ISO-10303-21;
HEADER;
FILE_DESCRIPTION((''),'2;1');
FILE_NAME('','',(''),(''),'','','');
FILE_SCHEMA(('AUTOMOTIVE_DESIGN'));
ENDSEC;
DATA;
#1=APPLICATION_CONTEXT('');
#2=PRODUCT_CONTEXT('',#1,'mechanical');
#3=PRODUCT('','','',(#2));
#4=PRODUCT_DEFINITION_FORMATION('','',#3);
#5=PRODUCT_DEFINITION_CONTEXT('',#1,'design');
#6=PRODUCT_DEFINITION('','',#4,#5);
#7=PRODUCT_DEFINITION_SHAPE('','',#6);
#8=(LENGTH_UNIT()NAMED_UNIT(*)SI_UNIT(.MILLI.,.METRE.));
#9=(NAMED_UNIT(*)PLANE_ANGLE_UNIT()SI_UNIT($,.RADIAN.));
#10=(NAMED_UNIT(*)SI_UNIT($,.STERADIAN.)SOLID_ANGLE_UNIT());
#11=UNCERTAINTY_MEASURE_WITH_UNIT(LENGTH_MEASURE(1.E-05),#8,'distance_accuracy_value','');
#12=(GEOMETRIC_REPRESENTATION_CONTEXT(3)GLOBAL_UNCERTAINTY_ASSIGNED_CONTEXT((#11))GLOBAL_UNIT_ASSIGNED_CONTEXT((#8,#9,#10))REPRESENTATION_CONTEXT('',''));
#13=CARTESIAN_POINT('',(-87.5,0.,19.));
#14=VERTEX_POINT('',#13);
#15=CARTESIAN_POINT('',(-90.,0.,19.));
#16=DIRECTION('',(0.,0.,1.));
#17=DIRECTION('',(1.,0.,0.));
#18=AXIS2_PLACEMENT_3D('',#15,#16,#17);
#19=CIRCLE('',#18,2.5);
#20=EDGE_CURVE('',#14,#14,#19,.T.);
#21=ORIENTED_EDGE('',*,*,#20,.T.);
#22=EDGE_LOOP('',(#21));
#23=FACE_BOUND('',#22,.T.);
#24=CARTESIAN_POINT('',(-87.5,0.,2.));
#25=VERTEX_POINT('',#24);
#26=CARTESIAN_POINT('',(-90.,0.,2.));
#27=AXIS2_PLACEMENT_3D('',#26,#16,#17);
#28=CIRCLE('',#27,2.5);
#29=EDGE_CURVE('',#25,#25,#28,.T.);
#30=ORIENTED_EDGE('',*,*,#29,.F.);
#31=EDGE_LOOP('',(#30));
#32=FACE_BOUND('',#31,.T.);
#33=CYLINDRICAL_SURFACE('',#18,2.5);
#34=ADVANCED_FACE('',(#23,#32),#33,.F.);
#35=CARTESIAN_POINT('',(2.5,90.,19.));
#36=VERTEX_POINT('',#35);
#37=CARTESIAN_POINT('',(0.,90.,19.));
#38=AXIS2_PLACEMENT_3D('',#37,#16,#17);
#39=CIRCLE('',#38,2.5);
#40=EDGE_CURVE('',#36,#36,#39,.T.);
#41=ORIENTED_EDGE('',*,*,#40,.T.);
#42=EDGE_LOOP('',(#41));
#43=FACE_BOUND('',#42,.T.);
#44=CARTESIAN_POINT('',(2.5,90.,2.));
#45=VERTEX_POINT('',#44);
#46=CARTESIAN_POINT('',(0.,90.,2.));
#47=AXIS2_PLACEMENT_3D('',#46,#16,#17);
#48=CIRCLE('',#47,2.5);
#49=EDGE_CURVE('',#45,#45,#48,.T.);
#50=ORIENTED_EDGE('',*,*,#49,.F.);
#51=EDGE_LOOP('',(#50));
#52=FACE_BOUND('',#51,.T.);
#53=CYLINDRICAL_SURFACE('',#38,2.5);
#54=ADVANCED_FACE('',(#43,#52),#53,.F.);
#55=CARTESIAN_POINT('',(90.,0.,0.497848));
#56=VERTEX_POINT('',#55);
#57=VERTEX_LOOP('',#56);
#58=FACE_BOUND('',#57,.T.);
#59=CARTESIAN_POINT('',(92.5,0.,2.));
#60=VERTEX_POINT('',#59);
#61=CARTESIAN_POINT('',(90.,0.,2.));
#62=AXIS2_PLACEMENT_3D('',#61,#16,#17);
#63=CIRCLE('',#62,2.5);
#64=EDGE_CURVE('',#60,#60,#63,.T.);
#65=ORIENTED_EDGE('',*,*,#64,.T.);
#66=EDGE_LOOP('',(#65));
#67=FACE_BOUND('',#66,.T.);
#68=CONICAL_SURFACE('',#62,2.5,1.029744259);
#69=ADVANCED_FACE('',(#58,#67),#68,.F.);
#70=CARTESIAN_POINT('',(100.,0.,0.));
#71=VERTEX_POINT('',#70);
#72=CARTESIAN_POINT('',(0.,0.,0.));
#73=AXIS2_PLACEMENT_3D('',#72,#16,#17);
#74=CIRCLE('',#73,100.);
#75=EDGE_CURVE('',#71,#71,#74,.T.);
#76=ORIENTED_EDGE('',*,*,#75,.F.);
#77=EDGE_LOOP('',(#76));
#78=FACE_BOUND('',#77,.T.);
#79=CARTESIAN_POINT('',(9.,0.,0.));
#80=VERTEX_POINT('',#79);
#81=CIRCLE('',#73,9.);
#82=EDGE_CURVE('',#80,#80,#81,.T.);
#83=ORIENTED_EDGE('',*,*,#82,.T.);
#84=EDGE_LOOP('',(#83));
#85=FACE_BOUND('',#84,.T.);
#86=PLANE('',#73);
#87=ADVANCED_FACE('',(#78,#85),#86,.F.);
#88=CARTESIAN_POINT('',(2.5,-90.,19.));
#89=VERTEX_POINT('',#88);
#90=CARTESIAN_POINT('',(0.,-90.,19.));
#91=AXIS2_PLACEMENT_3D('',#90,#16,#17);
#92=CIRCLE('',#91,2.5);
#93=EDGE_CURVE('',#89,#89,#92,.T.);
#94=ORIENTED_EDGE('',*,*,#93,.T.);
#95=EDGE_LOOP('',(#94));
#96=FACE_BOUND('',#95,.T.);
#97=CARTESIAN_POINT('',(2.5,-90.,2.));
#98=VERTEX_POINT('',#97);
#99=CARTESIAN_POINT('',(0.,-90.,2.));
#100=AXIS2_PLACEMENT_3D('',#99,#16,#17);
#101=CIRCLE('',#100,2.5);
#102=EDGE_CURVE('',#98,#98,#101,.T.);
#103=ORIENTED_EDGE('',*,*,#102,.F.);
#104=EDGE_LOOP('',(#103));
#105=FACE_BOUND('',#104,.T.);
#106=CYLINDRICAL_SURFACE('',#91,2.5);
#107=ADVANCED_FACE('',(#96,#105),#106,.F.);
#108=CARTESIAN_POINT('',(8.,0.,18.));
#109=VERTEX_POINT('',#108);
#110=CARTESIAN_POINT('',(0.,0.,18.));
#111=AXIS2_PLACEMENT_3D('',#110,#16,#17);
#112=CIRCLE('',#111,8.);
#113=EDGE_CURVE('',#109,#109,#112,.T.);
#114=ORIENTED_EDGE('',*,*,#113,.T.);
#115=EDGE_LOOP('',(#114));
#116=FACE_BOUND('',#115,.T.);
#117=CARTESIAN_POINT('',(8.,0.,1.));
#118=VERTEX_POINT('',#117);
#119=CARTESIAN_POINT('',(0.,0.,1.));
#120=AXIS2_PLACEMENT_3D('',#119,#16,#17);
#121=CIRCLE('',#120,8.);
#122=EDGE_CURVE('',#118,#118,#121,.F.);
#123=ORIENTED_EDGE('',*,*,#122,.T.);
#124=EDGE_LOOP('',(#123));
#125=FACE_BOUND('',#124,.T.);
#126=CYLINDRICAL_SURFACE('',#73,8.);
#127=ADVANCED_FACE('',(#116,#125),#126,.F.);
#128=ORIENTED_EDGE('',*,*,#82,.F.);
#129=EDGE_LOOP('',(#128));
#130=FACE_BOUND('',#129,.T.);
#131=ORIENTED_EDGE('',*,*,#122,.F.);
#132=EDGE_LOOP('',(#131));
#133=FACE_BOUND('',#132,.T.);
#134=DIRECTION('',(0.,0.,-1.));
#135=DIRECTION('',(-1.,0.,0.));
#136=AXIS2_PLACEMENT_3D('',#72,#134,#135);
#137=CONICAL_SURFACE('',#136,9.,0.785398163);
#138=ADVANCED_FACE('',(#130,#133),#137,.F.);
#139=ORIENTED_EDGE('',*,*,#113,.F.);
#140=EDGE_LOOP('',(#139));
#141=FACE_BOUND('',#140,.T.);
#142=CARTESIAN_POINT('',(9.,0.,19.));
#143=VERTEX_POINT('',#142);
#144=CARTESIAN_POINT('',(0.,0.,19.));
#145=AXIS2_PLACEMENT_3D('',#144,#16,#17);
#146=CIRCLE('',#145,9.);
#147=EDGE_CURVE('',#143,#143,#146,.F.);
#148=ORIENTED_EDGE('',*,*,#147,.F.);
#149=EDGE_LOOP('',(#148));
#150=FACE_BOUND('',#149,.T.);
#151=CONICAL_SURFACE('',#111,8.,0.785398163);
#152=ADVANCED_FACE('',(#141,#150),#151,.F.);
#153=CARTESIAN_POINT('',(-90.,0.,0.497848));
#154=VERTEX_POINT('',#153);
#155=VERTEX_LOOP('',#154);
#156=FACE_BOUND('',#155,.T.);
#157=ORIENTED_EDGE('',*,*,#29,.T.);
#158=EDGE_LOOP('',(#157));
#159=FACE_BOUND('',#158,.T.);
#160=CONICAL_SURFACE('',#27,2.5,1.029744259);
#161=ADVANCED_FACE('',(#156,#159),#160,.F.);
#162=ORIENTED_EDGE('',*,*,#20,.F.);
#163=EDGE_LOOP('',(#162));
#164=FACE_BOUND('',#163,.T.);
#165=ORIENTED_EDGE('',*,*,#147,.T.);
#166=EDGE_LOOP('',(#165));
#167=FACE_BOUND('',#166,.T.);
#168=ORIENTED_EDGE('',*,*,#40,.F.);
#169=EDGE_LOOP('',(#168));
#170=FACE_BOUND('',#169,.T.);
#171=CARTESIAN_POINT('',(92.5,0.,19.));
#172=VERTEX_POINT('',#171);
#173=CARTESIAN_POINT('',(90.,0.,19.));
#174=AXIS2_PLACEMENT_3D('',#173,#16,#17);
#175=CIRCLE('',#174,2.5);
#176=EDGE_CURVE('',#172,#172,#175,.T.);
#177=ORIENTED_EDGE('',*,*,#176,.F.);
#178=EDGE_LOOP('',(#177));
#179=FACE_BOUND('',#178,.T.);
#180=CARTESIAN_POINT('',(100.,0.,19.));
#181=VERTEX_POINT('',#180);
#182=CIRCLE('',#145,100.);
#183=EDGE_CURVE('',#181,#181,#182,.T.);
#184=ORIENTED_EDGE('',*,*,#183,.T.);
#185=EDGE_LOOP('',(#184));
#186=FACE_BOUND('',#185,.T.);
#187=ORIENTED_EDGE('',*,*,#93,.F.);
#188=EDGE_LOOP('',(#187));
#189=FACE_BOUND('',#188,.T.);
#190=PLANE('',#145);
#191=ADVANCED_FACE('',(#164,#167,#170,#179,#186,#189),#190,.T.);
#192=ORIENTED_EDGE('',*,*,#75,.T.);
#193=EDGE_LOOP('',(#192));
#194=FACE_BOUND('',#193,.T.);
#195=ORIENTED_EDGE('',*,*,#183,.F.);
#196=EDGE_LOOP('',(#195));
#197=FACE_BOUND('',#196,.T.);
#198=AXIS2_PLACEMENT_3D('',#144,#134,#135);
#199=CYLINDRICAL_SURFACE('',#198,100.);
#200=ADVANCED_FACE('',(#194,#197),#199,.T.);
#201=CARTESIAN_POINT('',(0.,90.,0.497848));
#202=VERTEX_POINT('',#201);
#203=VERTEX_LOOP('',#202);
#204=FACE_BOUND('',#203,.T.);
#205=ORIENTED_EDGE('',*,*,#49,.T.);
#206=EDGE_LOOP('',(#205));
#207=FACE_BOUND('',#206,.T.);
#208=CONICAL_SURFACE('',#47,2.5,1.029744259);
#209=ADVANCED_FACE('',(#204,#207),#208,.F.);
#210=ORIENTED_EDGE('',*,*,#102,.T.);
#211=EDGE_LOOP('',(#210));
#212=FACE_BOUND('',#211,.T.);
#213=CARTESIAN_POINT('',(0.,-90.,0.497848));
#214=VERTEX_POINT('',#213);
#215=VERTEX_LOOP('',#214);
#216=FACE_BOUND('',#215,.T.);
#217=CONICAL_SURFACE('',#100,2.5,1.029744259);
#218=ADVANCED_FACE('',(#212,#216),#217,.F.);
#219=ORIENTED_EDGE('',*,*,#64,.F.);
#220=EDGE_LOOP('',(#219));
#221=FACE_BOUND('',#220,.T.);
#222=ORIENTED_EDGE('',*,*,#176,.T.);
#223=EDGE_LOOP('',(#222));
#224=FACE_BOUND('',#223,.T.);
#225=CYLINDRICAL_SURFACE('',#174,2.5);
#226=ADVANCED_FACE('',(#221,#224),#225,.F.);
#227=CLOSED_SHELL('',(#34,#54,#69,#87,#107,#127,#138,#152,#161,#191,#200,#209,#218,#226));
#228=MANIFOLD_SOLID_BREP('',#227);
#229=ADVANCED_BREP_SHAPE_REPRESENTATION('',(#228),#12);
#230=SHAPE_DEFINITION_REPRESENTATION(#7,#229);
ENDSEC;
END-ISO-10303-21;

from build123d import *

# Parameters (mm, degrees)
SKETCH_1_R          = 100
EXTRUDE_1_DEPTH     = 19
M6X1_0_1_D          = 5
M6X1_0_1_DEPTH      = 17
M6X1_0_1_TIP        = 1.502151548
SKETCH_2_R          = 8
CUT_EXTRUDE_1_DEPTH = 143.691975948
CHAMFER_1_SIZE      = 1
CHAMFER_2_SIZE      = 1


with BuildPart() as part:
    # ｽｹｯﾁ1 → ﾎﾞｽ - 押し出し1 (new body)
    with BuildSketch(Plane.XY):
        Circle(SKETCH_1_R)
    extrude(amount=EXTRUDE_1_DEPTH)

    # M6x1.0 ねじ穴1
    with Locations(Plane(origin=(0, 90, 19), x_dir=(1, 0, 0), z_dir=(0, 0, 1))):
        with Locations((0, 0), (-90, -90), (0, -180), (90, -90)):
            Hole(M6X1_0_1_D / 2, depth=M6X1_0_1_DEPTH)
            with Locations((0, 0, -(M6X1_0_1_DEPTH + M6X1_0_1_TIP / 2))):  # 118° drill point
                Cone(0, M6X1_0_1_D / 2, M6X1_0_1_TIP, mode=Mode.SUBTRACT)

    # ｽｹｯﾁ2 → ｶｯﾄ - 押し出し1 (cut, through all)
    with BuildSketch(Plane.XY.offset(19)):
        Circle(SKETCH_2_R)
    extrude(amount=-CUT_EXTRUDE_1_DEPTH, mode=Mode.SUBTRACT)

    # 面取り1
    chamfer_1_edges = [part.edges().sort_by_distance(p)[0] for p in [
        (-8, 0, 19),
    ]]
    chamfer(chamfer_1_edges, length=CHAMFER_1_SIZE)

    # 面取り2
    chamfer_2_edges = [part.edges().sort_by_distance(p)[0] for p in [
        (-8, 0, 0),
    ]]
    chamfer(chamfer_2_edges, length=CHAMFER_2_SIZE)


solid = part.part
